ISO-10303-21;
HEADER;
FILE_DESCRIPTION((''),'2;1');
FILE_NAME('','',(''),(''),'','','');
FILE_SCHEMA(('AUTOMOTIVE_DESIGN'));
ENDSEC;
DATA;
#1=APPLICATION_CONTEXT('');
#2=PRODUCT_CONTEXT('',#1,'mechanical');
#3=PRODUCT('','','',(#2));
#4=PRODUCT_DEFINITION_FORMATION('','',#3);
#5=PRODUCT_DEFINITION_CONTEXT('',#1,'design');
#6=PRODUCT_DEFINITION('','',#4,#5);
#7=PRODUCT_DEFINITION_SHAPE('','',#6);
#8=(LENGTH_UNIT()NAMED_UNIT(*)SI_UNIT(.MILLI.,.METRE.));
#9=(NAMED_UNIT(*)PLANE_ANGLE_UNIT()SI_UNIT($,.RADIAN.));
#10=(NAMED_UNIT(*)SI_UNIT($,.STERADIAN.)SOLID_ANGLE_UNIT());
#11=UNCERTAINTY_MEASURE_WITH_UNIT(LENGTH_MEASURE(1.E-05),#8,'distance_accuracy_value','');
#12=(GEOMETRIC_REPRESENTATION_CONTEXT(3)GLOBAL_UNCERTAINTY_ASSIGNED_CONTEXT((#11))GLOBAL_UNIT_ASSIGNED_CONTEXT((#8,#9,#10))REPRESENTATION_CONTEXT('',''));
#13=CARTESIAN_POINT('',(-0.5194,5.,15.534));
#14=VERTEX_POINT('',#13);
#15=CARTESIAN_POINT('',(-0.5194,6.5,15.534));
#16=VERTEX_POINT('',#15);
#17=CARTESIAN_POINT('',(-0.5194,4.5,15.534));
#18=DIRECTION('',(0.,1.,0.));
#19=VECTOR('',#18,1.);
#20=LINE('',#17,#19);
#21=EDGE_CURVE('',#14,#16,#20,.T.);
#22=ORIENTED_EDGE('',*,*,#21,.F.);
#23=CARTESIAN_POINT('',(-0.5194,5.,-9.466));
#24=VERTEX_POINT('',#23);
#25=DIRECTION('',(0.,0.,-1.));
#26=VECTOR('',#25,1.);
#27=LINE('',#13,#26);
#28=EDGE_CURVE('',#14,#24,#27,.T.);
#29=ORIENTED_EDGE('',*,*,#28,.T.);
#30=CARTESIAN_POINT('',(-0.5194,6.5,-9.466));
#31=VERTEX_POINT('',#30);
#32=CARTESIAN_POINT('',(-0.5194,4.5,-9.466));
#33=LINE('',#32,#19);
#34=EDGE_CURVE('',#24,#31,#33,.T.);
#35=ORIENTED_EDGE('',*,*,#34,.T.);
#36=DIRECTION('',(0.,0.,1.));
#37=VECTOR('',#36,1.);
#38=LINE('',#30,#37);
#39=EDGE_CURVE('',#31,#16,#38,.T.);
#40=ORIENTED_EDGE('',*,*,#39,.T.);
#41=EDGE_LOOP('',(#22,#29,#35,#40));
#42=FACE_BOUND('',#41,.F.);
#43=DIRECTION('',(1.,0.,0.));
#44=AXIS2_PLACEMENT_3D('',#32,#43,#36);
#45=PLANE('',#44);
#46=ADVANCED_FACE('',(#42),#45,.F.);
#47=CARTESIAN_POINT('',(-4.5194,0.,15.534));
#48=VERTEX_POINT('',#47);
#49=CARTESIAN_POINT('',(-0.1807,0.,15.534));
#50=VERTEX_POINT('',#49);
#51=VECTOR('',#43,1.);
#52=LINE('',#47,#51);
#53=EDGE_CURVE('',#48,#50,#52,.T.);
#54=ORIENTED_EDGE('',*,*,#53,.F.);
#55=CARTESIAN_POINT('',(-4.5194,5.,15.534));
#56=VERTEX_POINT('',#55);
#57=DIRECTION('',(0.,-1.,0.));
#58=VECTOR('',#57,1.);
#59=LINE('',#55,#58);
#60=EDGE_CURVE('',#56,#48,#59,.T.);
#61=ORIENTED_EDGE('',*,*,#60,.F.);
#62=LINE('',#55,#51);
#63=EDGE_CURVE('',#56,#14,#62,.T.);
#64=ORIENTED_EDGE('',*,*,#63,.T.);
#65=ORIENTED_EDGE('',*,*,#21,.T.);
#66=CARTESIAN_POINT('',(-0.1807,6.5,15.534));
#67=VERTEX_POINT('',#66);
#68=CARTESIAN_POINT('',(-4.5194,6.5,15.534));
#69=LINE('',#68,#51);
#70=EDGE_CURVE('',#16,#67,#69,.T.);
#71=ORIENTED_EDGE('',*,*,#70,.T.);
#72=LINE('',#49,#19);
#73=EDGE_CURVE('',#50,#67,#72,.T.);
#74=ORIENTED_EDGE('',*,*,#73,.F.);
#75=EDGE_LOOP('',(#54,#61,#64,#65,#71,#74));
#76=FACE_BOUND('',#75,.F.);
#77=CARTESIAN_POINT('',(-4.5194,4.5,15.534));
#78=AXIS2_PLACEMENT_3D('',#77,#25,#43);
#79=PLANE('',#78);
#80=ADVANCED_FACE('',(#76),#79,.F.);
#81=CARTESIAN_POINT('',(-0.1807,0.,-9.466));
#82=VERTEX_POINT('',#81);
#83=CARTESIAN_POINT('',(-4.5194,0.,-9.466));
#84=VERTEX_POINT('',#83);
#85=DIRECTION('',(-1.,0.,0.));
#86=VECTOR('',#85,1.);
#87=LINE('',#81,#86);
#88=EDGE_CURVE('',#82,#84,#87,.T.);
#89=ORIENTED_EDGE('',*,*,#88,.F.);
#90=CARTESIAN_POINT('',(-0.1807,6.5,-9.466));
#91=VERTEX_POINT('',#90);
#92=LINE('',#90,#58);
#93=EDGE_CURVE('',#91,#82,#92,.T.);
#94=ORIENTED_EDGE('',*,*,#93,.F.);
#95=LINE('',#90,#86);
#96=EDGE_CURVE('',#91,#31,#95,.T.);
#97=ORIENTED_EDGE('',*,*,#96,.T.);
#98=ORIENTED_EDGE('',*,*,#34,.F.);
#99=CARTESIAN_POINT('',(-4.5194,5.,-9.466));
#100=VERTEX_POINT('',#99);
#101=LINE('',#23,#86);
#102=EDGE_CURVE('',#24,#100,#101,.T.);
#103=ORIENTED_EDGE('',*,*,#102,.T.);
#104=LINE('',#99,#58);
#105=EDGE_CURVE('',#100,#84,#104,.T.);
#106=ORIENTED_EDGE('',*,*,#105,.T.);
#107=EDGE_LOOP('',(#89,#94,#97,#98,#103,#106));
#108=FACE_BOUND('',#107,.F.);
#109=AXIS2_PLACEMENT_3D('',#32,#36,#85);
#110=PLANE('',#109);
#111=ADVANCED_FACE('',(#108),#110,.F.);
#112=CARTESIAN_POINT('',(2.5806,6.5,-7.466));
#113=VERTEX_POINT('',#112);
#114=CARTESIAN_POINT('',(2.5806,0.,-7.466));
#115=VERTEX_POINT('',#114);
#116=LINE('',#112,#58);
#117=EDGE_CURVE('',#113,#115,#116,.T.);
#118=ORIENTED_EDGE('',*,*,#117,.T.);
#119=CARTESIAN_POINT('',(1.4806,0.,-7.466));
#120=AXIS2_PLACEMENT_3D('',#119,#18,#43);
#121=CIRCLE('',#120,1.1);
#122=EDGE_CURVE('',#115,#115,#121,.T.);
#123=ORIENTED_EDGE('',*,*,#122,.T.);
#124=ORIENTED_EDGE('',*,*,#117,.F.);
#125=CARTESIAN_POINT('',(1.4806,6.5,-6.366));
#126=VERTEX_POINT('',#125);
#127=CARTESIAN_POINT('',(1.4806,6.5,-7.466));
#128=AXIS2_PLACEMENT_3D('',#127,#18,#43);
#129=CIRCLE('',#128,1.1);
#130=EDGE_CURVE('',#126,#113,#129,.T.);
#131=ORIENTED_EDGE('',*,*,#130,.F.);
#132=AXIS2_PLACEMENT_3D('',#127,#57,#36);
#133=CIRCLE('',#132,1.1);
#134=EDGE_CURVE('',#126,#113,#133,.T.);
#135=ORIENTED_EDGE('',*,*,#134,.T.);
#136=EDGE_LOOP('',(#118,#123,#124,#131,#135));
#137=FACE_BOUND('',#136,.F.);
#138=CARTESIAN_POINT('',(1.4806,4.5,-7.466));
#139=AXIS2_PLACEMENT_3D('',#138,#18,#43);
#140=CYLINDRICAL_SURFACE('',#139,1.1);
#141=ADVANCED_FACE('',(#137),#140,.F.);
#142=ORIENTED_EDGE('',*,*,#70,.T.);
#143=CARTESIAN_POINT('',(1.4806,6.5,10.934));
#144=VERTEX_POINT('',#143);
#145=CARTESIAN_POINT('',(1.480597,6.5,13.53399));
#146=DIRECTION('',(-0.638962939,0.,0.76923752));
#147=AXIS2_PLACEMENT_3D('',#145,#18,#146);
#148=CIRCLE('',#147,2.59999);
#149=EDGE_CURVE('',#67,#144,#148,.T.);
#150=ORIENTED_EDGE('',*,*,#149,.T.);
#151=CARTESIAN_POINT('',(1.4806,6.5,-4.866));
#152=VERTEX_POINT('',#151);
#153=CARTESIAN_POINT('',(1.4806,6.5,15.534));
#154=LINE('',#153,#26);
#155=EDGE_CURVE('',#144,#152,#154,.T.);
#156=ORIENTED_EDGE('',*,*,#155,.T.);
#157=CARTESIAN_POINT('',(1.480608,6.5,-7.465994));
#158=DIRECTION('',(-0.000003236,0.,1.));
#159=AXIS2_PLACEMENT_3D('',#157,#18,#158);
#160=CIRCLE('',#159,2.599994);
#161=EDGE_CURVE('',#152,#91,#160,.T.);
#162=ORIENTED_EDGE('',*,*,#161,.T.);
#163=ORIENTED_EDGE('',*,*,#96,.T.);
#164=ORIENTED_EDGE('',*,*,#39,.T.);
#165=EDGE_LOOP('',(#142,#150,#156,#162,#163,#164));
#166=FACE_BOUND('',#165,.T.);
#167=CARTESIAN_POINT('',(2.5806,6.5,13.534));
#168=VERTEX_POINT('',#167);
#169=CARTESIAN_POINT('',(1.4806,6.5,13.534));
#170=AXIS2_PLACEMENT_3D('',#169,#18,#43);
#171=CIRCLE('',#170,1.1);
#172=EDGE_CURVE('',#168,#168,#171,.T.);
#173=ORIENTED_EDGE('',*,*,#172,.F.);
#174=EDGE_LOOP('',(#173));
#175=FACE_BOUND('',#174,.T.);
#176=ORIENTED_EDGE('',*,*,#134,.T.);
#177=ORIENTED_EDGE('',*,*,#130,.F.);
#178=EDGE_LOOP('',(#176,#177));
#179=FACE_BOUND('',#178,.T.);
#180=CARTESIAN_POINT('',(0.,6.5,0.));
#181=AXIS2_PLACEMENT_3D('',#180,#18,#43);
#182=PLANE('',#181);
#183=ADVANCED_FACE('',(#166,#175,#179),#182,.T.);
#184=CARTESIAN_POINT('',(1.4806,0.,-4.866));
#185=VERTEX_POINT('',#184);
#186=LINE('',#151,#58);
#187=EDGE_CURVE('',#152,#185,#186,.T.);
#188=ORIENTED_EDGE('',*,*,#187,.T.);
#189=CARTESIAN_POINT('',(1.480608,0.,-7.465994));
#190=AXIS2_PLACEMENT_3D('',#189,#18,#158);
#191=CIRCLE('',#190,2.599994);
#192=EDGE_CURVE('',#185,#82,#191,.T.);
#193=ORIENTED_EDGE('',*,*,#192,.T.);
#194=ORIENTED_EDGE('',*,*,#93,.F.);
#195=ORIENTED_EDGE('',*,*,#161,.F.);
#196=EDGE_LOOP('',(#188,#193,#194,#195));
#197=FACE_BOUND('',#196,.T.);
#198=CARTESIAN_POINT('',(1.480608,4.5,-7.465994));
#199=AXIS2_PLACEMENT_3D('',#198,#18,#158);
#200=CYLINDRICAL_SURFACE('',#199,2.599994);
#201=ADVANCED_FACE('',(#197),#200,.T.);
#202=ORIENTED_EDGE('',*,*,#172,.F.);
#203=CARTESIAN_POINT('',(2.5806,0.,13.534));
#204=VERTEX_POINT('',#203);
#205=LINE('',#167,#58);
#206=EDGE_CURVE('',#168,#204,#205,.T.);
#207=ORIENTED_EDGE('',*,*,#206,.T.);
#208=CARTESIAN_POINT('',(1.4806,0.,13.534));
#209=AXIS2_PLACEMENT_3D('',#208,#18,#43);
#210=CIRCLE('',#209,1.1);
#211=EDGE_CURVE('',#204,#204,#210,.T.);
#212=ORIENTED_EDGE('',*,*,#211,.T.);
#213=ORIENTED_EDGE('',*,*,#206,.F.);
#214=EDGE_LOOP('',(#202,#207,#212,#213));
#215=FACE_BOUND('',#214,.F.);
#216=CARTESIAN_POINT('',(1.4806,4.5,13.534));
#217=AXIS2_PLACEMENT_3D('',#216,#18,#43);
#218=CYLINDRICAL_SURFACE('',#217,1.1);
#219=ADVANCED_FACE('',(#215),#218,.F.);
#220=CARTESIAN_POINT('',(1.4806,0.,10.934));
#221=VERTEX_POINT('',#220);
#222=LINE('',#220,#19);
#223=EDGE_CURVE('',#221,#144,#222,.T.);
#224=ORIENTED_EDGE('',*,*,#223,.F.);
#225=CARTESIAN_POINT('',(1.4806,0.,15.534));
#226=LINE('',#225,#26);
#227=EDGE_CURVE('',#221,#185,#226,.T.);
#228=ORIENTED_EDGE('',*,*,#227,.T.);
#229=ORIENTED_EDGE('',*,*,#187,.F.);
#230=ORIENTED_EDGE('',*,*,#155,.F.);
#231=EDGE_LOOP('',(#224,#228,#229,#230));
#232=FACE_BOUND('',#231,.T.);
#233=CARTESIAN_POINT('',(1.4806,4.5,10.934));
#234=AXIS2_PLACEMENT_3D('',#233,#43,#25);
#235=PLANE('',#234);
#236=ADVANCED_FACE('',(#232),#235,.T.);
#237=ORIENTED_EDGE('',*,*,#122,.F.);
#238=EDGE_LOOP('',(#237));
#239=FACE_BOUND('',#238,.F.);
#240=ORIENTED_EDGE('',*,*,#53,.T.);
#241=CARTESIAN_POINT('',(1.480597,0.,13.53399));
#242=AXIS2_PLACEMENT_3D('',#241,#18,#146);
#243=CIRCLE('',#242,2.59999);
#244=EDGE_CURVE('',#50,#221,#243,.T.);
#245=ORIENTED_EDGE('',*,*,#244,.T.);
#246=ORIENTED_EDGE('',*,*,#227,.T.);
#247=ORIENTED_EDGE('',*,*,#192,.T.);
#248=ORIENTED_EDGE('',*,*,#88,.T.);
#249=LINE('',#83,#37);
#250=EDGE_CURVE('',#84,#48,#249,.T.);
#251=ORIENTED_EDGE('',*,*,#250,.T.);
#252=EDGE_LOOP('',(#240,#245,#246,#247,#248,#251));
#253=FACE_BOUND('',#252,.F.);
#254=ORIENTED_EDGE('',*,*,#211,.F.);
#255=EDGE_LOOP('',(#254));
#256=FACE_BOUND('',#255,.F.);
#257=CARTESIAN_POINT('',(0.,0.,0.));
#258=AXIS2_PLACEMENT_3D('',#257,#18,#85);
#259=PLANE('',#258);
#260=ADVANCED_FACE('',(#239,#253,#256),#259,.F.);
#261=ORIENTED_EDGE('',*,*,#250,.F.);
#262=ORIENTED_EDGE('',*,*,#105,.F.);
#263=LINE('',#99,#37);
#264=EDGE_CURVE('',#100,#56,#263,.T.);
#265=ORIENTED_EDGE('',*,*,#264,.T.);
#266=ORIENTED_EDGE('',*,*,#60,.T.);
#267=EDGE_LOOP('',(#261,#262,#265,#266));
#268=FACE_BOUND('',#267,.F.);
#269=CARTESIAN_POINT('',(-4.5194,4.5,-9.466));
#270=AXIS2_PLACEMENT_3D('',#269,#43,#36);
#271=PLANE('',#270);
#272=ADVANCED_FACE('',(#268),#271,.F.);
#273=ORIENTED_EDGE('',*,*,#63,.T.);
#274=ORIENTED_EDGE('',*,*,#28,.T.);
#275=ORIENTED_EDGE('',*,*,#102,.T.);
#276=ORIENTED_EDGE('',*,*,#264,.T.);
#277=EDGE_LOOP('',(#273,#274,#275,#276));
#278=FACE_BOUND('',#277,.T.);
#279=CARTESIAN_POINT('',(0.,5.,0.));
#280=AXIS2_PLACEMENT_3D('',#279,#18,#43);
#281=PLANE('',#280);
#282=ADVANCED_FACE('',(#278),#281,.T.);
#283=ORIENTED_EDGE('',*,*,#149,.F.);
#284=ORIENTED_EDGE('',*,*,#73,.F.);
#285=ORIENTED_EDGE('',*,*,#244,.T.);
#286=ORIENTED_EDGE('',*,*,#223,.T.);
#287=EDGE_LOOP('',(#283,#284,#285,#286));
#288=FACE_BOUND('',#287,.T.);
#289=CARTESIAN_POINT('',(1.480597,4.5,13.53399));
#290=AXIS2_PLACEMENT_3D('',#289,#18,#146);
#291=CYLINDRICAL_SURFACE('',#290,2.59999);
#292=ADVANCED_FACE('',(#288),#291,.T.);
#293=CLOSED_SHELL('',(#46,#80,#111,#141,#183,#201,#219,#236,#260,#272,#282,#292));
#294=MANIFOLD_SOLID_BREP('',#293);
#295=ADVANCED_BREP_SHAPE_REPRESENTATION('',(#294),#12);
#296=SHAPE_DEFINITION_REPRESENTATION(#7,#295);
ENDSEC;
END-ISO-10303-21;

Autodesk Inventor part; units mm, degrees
ref_plane "YZ Plane" through (0, 0, 0) normal (1, 0, 0) x (0, 1, 0)
ref_plane "XZ Plane" through (0, 0, 0) normal (0, 1, 0) x (-1, 0, 0)
ref_plane "XY Plane" through (0, 0, 0) normal (0, 0, 1) x (1, 0, 0)
sketch "Sketch1" plane through (0, 0, 0) normal (0, 1, 0) x (-1, 0, 0)
  line L0 (4.5194, 15.534) -> (-1.4806, 15.534)
  line L1 (-1.4806, 15.534) -> (-1.4806, -9.466)
  line L2 (-1.4806, -9.466) -> (4.5194, -9.466)
  line L3 (4.5194, -9.466) -> (4.5194, 15.534)
  point P0 (0, 0)
  dimension "d0" = 25
  dimension "d1" = 6
extrude "Extrusion1" add sketch "Sketch1" along normal blind 4.5
sketch "Sketch2" plane through (0, 4.5, 0) normal (0, 1, 0) x (1, 0, 0)
  line L0 (1.4806, -15.534) -> (1.4806, 9.466) projected
  line L1 (-4.5194, -15.534) -> (1.4806, -15.534) projected
  line L2 (-0.1807, 9.466) -> (-0.5194, 9.466)
  line L3 (-0.5194, 9.466) -> (-0.5194, -15.534)
  line L4 (-0.5194, -15.534) -> (-0.1807, -15.534)
  circle A0 centre (1.4806, 7.466) radius 1.1
  circle A1 centre (1.4806, -13.534) radius 1.1
  arc A2 (-0.1807, -15.534) -> (1.4806, -10.934) centre (1.4806, -13.534) ccw
  arc A3 (1.4806, 4.866) -> (-0.1807, 9.466) centre (1.4806, 7.466) ccw
  line L5 (1.4806, -10.934) -> (1.4806, 4.866)
  point P0 (0, 0)
  point P1 (1.4806, 10.066)
  point P2 (1.4806, -16.134)
  dimension "d4" = 2
  dimension "d5" = 2.2
  dimension "d6" = 0
  dimension "d8" = 2
  dimension "d9" = 2.2
  dimension "d10" = 0
  dimension "d11" = 2
  dimension "d17" = 1.5
  dimension "d18" = 1.5
extrude "Extrusion3" add sketch "Sketch2" along normal blind 2 and the other way blind 4.5 contours L0 A1 L1 L3 L2 A3 | A2 L1 L0 A1
extrude "Extrusion4" cut sketch "Sketch2" along normal through all both and the other way through all contours A0 L0 | L0 A0 | A1 L0 | L0 A1
sketch "Sketch3" plane through (0, 4.5, 0) normal (0, 1, 0) x (1, 0, 0)
  line L0 (-0.5194, -15.534) -> (-0.5194, 9.466) projected
  line L1 (-0.5194, 9.466) -> (-4.5194, 9.466) projected
  line L2 (-4.5194, 9.466) -> (-4.5194, -15.534) projected
  line L3 (-4.5194, -15.534) -> (-0.5194, -15.534) projected
  point P0 (0, 0)
extrude "Extrusion5" add sketch "Sketch3" along normal blind 0.5
properties part number "rectSotto_board"
